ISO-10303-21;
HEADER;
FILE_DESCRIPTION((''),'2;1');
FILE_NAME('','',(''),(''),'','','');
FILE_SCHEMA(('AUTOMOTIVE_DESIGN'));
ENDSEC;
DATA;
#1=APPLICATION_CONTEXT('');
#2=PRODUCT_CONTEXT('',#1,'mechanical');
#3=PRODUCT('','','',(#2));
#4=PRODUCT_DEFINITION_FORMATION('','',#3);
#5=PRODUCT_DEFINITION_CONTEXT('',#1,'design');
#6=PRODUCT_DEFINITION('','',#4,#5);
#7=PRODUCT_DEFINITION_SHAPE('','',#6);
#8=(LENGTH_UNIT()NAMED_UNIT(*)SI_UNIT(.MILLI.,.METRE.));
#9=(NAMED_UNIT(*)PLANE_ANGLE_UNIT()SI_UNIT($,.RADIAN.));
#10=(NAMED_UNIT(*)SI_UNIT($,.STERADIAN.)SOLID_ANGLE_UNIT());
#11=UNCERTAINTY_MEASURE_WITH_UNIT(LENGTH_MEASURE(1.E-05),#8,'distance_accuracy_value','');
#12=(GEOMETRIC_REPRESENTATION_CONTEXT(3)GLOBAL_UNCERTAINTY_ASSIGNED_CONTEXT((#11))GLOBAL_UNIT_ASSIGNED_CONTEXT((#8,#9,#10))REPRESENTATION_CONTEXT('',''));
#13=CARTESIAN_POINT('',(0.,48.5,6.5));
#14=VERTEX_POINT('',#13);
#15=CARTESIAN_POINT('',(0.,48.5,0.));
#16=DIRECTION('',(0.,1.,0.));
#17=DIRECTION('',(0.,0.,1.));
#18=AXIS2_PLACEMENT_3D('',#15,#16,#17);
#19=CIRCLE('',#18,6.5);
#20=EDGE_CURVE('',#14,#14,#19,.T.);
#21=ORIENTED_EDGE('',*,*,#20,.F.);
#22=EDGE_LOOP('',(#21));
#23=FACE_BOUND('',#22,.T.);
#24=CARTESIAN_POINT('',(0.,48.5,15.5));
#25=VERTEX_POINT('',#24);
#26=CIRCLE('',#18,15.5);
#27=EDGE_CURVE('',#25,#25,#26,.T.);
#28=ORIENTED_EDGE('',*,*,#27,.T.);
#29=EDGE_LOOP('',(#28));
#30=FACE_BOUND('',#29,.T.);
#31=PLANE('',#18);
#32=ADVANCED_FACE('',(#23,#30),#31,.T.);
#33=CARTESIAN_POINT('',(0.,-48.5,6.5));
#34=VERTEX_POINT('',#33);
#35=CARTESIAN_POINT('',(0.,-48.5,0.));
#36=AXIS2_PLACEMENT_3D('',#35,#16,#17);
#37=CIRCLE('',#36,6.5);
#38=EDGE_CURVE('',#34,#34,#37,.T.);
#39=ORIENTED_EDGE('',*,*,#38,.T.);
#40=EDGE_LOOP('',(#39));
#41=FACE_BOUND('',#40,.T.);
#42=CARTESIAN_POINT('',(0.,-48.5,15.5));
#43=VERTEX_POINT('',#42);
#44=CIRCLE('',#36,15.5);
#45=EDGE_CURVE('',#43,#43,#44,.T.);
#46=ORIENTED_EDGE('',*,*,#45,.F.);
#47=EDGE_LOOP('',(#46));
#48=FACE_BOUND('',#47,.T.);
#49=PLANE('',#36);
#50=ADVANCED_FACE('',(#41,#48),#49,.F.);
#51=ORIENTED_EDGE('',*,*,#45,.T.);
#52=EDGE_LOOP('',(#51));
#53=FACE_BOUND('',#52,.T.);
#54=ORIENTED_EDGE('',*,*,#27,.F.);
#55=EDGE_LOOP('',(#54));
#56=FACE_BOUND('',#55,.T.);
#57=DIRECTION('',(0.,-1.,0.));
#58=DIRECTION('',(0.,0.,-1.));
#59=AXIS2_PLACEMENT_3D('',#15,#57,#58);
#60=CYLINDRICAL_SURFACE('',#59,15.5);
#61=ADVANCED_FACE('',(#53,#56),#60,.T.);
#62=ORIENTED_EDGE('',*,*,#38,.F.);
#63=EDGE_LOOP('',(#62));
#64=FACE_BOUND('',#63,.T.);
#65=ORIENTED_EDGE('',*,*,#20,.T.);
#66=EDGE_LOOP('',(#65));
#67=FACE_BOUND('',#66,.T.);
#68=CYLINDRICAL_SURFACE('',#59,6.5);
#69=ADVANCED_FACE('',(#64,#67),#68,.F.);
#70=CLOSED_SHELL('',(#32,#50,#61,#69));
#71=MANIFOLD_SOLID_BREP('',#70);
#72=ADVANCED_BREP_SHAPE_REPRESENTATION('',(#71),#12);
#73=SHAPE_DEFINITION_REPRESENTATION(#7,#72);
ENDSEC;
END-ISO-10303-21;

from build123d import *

# Parameters (mm, degrees)
SKETCH1_R           = 15.5
SKETCH1_R_2         = 6.5
BOSS_EXTRUDE1_DEPTH = 48.5


with BuildPart() as part:
    # Sketch1 → Boss-Extrude1 (new body, symmetric)
    with BuildSketch(Plane(origin=(0, 0, 0), x_dir=(1, 0, 0), z_dir=(0, 1, 0))):
        Circle(SKETCH1_R)
        Circle(SKETCH1_R_2, mode=Mode.SUBTRACT)
    extrude(amount=BOSS_EXTRUDE1_DEPTH, both=True)


solid = part.part
